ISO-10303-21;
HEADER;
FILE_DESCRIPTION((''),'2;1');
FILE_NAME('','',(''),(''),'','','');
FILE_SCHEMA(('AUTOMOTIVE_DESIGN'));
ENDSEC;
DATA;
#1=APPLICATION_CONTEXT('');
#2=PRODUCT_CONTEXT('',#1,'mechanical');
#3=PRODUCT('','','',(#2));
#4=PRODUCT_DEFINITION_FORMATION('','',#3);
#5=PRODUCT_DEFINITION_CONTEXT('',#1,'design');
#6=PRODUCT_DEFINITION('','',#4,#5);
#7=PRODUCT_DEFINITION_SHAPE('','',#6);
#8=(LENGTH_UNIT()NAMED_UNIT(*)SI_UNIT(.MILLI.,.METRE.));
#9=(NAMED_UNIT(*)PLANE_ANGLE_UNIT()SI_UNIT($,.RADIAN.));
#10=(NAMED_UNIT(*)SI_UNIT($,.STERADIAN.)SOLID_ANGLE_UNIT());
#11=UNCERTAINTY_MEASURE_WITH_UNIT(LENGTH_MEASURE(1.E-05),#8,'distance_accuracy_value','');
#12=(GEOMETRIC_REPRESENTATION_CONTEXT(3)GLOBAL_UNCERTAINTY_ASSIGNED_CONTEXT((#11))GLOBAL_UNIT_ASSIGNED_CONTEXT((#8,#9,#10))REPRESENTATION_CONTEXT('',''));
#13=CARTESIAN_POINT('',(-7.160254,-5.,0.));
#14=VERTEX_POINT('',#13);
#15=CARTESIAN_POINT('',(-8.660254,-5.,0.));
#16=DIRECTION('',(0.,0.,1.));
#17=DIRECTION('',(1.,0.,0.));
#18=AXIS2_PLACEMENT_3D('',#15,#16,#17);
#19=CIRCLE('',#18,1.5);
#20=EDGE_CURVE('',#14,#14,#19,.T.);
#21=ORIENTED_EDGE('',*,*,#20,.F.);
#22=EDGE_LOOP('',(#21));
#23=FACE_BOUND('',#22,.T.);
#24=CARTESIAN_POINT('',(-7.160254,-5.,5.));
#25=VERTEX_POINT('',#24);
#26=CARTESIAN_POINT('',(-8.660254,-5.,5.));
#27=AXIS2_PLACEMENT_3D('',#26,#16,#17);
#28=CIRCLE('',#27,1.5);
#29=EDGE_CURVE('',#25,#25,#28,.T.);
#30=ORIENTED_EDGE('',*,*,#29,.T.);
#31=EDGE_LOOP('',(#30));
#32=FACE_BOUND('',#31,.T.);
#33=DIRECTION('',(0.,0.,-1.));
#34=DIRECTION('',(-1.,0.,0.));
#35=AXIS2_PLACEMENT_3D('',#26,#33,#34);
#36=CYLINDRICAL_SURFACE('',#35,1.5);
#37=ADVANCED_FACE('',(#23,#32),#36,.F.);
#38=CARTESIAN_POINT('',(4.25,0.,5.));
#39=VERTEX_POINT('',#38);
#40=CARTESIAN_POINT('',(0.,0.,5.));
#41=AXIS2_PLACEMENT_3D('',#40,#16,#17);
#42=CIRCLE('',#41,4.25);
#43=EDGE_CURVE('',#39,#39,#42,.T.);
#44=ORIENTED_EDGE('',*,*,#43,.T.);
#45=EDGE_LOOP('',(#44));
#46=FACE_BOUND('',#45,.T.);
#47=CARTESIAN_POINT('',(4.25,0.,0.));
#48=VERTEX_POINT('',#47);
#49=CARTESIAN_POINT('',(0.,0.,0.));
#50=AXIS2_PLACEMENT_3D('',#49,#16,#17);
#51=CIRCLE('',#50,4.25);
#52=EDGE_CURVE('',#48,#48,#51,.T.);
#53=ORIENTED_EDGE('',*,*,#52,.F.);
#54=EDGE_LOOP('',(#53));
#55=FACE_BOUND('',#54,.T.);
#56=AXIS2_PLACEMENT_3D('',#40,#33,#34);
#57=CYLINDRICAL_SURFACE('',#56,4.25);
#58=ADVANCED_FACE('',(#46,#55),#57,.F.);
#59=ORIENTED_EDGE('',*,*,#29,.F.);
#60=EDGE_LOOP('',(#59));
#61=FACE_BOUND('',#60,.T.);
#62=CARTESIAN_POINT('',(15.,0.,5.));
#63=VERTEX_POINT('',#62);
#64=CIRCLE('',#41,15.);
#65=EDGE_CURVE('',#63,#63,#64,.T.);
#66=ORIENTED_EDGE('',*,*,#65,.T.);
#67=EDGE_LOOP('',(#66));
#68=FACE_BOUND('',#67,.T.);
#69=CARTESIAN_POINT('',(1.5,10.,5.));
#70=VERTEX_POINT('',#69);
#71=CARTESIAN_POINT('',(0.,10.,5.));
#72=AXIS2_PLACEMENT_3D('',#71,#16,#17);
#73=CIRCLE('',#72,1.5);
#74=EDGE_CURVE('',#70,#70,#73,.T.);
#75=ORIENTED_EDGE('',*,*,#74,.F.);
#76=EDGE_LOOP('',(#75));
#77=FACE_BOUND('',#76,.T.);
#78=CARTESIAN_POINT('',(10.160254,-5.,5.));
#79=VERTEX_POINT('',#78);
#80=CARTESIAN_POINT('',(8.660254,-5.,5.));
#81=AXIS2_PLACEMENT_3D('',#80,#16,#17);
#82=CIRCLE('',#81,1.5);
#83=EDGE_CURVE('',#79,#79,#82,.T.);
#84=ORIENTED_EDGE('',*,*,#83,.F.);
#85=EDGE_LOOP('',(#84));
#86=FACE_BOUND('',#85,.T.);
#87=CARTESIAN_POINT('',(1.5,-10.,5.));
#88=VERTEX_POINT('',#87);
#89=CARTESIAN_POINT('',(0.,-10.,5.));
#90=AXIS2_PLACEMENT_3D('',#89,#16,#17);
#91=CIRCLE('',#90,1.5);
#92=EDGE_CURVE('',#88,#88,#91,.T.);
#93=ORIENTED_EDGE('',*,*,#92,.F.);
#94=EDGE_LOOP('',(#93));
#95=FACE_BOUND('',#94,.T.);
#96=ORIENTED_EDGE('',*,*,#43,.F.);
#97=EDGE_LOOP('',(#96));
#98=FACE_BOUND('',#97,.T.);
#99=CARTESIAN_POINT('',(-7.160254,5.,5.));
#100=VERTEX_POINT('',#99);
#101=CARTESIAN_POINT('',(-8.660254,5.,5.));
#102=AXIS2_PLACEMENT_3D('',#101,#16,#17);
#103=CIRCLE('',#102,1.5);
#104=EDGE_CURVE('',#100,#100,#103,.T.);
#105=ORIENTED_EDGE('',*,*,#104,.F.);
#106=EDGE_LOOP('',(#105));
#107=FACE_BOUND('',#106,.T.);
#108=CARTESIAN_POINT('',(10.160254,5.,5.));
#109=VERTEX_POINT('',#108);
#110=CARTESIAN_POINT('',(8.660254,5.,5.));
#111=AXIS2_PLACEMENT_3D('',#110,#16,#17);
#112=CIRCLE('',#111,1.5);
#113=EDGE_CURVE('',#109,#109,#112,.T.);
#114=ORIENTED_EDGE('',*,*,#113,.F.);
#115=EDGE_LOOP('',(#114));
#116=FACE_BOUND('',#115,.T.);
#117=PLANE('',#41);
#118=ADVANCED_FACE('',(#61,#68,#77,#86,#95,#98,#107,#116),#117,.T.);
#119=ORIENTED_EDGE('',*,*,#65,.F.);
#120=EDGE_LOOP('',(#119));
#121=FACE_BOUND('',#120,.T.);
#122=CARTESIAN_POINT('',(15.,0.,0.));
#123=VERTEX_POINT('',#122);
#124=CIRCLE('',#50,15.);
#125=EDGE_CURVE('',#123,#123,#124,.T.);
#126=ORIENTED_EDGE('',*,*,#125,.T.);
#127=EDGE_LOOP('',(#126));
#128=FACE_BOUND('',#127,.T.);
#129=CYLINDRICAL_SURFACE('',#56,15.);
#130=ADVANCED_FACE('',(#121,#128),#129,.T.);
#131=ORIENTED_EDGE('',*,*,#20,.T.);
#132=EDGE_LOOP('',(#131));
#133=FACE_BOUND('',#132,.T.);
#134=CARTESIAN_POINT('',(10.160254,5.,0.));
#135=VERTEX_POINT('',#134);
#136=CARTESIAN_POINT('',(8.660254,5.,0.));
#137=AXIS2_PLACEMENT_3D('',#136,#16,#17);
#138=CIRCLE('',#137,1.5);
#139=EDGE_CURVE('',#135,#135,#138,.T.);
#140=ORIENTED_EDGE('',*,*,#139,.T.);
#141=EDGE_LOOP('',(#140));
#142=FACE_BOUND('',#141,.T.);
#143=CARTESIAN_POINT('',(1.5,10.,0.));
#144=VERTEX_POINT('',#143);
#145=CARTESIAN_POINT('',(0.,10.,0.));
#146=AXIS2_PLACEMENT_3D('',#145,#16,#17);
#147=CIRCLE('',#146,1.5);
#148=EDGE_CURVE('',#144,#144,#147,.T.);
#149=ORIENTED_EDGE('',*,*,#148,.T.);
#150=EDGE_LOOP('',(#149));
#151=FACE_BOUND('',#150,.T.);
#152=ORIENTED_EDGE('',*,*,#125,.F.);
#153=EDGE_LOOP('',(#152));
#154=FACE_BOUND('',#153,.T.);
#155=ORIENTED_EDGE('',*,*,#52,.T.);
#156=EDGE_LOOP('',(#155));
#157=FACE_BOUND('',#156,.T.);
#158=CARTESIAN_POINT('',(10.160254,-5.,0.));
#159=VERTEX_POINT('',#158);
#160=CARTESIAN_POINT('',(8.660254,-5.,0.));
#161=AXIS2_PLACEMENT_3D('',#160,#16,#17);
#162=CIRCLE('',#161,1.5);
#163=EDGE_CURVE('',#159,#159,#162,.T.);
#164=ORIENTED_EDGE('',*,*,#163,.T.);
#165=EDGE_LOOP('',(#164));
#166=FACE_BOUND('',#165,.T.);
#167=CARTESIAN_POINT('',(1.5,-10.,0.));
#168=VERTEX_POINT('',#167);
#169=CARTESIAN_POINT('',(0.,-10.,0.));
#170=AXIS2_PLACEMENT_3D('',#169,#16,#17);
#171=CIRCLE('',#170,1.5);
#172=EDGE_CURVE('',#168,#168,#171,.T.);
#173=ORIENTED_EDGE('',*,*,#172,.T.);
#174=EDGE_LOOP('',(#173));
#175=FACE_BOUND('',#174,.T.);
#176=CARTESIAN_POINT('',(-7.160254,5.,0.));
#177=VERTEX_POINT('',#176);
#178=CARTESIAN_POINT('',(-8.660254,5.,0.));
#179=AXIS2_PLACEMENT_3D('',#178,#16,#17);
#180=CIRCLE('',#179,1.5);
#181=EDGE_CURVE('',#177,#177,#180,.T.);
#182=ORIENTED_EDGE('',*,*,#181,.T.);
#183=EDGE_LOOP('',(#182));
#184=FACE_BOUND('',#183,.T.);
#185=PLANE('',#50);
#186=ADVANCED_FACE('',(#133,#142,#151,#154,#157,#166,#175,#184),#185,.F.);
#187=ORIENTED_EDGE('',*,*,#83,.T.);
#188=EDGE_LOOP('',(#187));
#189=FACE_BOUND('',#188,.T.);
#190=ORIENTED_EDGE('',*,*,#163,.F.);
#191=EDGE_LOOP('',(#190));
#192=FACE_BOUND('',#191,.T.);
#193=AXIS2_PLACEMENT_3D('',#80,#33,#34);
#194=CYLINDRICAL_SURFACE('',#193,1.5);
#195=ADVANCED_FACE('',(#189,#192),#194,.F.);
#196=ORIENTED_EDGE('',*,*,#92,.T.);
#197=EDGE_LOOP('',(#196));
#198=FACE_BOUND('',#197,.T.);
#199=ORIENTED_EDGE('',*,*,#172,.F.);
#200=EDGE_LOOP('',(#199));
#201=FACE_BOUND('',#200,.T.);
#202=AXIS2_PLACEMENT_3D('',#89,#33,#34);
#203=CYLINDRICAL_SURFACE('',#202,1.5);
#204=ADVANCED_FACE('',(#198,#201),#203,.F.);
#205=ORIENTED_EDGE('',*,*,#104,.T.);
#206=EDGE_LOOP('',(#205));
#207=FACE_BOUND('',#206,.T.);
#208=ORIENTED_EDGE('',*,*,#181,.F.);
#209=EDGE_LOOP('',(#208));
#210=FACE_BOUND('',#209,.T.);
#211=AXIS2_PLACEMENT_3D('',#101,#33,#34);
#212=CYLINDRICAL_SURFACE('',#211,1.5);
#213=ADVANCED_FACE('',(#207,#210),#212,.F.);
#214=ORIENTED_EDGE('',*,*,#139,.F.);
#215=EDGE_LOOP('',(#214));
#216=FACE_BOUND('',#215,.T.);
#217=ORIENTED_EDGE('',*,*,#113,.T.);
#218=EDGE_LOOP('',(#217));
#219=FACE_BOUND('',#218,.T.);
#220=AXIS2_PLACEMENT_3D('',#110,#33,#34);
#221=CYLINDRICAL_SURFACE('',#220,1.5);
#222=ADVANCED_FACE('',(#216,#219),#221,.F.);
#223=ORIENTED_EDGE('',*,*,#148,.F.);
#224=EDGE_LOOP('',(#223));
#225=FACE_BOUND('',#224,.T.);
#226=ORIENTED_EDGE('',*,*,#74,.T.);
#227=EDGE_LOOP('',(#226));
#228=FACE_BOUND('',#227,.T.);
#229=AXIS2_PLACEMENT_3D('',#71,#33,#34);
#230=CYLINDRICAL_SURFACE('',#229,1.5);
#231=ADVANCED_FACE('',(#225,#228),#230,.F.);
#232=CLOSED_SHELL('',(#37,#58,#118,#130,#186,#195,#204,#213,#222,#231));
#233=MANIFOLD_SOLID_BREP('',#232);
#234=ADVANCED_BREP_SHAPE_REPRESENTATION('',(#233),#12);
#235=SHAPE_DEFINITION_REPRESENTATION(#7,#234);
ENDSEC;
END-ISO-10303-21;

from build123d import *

# Parameters (mm, degrees)
ESQUISSE1_R        = 15
ESQUISSE1_R_2      = 4.25
ESQUISSE1_R_3      = 1.5
BOSS_EXTRU_1_DEPTH = 5


with BuildPart() as part:
    # Esquisse1 → Boss.-Extru.1 (new body)
    with BuildSketch(Plane.XY):
        Circle(ESQUISSE1_R)
        Circle(ESQUISSE1_R_2, mode=Mode.SUBTRACT)
        with Locations((0, 10)):
            Circle(ESQUISSE1_R_3, mode=Mode.SUBTRACT)
        with Locations((8.660254038, 5)):
            Circle(ESQUISSE1_R_3, mode=Mode.SUBTRACT)
        with Locations((8.660254038, -5)):
            Circle(ESQUISSE1_R_3, mode=Mode.SUBTRACT)
        with Locations((0, -10)):
            Circle(ESQUISSE1_R_3, mode=Mode.SUBTRACT)
        with Locations((-8.660254038, -5)):
            Circle(ESQUISSE1_R_3, mode=Mode.SUBTRACT)
        with Locations((-8.660254038, 5)):
            Circle(ESQUISSE1_R_3, mode=Mode.SUBTRACT)
    extrude(amount=BOSS_EXTRU_1_DEPTH)


solid = part.part
